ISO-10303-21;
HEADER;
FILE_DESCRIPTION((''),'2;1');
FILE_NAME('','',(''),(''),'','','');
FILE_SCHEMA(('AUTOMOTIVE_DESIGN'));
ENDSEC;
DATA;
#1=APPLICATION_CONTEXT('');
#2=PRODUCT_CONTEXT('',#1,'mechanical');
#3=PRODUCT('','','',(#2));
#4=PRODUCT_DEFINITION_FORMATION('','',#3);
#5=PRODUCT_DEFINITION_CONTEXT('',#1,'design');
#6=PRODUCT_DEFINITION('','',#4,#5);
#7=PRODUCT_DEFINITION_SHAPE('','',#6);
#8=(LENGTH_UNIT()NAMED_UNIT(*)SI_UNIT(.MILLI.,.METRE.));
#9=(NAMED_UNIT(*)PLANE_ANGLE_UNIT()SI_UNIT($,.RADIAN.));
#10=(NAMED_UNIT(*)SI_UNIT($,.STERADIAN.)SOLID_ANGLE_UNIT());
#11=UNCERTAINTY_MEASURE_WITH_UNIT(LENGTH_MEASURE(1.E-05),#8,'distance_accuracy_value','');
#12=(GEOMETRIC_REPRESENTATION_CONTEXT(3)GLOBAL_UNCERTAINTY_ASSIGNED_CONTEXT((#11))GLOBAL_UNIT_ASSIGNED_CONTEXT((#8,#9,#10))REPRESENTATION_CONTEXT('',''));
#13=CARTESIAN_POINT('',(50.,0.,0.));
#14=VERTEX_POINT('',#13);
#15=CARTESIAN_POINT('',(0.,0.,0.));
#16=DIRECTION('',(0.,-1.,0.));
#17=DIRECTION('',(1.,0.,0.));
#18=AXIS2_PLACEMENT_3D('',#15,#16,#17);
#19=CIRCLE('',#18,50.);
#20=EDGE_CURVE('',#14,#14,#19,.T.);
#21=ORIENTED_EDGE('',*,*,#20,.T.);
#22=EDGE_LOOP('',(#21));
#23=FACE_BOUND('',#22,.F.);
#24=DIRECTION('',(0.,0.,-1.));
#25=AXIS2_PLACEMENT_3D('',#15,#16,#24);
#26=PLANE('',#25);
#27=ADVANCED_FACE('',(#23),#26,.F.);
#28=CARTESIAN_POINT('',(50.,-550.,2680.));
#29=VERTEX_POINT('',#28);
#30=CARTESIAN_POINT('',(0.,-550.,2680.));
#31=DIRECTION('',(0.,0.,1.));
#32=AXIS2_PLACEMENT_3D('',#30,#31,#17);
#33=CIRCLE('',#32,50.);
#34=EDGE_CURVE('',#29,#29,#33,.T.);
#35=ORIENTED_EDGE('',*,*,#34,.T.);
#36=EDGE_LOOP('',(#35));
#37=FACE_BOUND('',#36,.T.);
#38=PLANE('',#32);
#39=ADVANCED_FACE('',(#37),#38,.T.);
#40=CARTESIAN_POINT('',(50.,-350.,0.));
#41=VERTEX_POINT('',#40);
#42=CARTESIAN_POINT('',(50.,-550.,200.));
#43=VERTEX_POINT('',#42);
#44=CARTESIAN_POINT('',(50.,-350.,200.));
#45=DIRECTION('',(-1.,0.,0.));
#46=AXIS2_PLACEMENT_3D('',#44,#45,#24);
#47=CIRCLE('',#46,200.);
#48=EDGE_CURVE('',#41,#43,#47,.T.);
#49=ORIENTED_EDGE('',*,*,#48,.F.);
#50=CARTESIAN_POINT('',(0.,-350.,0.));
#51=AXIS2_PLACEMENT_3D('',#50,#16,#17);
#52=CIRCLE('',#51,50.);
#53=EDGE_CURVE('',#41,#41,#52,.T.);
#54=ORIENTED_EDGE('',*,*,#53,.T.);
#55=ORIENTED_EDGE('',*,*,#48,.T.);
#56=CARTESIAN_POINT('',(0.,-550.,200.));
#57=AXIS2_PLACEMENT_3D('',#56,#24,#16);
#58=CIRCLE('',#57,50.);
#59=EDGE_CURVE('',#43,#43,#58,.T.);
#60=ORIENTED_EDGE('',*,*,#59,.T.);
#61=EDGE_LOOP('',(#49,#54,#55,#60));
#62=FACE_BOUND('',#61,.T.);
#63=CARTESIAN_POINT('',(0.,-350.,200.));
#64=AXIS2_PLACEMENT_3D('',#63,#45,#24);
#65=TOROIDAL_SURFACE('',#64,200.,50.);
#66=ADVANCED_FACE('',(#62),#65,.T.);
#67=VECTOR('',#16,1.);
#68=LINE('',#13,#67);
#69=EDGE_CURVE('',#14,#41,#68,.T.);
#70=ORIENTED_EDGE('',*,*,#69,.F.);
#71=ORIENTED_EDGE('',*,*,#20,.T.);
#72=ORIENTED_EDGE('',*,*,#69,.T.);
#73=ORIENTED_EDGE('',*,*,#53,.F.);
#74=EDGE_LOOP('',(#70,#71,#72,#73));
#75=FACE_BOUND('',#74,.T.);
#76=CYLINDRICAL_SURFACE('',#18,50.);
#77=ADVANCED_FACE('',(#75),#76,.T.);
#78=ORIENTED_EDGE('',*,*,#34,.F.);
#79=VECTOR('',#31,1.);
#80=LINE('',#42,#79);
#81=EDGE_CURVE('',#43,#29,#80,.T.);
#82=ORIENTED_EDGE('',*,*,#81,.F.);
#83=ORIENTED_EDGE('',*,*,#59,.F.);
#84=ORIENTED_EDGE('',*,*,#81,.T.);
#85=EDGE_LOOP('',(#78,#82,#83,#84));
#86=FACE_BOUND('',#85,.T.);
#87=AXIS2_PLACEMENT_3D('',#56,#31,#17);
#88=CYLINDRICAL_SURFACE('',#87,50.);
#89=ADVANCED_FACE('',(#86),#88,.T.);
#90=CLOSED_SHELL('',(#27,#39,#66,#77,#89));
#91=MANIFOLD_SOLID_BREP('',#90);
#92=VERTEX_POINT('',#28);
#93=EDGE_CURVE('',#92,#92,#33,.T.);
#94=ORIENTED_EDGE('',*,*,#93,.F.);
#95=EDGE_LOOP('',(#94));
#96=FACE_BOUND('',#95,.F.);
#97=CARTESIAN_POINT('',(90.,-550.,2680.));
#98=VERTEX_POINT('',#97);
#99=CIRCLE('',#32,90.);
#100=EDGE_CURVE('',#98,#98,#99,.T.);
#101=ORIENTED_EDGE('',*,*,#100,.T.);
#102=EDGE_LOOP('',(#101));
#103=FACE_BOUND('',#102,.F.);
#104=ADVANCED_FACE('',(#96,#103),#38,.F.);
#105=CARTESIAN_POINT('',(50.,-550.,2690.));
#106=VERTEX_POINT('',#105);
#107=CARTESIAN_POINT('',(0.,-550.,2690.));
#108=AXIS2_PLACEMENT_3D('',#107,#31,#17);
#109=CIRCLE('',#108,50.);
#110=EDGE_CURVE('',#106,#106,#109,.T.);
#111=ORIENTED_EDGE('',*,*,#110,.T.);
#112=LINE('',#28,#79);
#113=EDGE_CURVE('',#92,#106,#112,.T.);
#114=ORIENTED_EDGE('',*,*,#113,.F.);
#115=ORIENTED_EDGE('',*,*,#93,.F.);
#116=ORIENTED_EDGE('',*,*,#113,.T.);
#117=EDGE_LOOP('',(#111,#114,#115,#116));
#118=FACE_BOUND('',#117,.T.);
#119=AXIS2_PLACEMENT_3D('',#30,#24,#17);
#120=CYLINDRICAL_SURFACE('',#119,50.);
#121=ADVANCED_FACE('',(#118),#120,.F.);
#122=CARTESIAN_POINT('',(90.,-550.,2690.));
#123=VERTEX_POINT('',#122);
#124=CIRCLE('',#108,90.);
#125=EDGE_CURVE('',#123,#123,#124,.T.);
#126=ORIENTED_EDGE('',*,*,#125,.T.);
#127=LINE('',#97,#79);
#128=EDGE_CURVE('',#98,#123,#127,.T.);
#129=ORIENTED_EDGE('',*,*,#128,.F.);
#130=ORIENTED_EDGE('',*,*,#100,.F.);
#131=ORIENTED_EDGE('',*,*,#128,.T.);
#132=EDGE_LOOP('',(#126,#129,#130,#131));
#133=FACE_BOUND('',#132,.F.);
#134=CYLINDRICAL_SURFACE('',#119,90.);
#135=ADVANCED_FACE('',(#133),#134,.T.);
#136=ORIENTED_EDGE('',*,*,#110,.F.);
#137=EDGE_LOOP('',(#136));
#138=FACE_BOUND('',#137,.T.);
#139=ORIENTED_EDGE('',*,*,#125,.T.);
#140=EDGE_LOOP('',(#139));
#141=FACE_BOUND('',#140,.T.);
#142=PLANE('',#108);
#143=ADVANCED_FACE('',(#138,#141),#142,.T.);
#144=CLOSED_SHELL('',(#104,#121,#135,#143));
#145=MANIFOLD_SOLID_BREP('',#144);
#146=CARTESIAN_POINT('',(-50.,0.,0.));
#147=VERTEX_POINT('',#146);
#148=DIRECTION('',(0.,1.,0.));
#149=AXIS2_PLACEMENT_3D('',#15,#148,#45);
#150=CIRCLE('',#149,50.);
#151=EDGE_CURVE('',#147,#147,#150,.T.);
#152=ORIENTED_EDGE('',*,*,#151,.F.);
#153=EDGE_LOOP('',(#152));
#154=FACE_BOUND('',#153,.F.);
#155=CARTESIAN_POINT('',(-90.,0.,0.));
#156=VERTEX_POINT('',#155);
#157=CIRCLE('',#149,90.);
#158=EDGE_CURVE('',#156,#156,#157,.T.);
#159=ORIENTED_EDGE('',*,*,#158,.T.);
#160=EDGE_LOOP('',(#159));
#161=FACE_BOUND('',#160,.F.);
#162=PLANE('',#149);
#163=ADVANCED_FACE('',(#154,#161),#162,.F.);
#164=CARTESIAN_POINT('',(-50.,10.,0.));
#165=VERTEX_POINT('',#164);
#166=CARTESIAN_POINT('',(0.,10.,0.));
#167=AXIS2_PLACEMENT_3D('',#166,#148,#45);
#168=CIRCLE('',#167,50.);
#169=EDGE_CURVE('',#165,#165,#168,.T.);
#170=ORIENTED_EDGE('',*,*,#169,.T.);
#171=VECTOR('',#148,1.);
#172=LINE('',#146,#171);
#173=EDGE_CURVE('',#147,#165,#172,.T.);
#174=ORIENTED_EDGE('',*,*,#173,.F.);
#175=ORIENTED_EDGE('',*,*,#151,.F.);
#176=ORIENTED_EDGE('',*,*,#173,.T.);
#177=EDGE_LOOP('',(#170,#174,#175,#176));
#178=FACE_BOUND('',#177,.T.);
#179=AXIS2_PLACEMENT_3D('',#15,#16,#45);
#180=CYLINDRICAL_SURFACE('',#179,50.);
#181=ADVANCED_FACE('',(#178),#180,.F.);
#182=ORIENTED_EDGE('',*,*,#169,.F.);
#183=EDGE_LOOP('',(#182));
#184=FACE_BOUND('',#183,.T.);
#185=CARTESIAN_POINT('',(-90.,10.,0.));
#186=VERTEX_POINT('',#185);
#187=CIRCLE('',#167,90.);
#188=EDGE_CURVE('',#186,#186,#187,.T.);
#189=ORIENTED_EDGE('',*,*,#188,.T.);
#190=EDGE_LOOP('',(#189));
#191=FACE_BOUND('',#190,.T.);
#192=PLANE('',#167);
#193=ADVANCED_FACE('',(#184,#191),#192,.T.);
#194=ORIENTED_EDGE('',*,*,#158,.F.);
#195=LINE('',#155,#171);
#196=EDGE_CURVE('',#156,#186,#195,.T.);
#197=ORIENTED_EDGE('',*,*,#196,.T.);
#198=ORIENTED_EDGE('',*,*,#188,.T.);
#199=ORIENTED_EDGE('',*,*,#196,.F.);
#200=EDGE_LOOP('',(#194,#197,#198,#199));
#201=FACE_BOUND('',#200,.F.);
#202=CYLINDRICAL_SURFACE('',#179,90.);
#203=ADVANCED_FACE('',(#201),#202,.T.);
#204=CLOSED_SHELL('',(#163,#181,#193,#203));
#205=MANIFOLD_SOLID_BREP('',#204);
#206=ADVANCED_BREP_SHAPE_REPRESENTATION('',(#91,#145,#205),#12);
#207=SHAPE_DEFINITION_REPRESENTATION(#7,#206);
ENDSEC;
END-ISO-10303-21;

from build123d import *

# Parameters (mm, degrees)
F0_R     = 50
F3_R     = 90
F3_R_2   = 50
F4_DEPTH = 10
F5_R     = 90
F5_R_2   = 50
F6_DEPTH = 10


with BuildPart() as f2:
    # F2: sweep along a path in F1
    with BuildLine(Plane.YZ) as f2_path:
        Line((0, 0), (-350, 0))
        ThreePointArc((-350, 0), (-491.4213562373, 58.5786437627), (-550, 200))
        Line((-550, 200), (-550, 2680))
    # F0 (on Front) → F2 (sweep)
    with BuildSketch(Plane.XZ):
        Circle(F0_R)
    sweep(path=f2_path.line)


with BuildPart() as f4:
    # F3 (on face) → F4 (new body)
    with BuildSketch(Plane(origin=(0, 0, 0), x_dir=(-1, 0, 0), z_dir=(0, 1, 0))):
        Circle(F3_R)
        Circle(F3_R_2, mode=Mode.SUBTRACT)
    extrude(amount=F4_DEPTH)


with BuildPart() as f6:
    # F5 (on face) → F6 (new body)
    with BuildSketch(Plane.XY.offset(2680)):
        with Locations((0, -550)):
            Circle(F5_R)
        with Locations((0, -550)):
            Circle(F5_R_2, mode=Mode.SUBTRACT)
    extrude(amount=F6_DEPTH)


solid = Compound([f2.part, f4.part, f6.part])
